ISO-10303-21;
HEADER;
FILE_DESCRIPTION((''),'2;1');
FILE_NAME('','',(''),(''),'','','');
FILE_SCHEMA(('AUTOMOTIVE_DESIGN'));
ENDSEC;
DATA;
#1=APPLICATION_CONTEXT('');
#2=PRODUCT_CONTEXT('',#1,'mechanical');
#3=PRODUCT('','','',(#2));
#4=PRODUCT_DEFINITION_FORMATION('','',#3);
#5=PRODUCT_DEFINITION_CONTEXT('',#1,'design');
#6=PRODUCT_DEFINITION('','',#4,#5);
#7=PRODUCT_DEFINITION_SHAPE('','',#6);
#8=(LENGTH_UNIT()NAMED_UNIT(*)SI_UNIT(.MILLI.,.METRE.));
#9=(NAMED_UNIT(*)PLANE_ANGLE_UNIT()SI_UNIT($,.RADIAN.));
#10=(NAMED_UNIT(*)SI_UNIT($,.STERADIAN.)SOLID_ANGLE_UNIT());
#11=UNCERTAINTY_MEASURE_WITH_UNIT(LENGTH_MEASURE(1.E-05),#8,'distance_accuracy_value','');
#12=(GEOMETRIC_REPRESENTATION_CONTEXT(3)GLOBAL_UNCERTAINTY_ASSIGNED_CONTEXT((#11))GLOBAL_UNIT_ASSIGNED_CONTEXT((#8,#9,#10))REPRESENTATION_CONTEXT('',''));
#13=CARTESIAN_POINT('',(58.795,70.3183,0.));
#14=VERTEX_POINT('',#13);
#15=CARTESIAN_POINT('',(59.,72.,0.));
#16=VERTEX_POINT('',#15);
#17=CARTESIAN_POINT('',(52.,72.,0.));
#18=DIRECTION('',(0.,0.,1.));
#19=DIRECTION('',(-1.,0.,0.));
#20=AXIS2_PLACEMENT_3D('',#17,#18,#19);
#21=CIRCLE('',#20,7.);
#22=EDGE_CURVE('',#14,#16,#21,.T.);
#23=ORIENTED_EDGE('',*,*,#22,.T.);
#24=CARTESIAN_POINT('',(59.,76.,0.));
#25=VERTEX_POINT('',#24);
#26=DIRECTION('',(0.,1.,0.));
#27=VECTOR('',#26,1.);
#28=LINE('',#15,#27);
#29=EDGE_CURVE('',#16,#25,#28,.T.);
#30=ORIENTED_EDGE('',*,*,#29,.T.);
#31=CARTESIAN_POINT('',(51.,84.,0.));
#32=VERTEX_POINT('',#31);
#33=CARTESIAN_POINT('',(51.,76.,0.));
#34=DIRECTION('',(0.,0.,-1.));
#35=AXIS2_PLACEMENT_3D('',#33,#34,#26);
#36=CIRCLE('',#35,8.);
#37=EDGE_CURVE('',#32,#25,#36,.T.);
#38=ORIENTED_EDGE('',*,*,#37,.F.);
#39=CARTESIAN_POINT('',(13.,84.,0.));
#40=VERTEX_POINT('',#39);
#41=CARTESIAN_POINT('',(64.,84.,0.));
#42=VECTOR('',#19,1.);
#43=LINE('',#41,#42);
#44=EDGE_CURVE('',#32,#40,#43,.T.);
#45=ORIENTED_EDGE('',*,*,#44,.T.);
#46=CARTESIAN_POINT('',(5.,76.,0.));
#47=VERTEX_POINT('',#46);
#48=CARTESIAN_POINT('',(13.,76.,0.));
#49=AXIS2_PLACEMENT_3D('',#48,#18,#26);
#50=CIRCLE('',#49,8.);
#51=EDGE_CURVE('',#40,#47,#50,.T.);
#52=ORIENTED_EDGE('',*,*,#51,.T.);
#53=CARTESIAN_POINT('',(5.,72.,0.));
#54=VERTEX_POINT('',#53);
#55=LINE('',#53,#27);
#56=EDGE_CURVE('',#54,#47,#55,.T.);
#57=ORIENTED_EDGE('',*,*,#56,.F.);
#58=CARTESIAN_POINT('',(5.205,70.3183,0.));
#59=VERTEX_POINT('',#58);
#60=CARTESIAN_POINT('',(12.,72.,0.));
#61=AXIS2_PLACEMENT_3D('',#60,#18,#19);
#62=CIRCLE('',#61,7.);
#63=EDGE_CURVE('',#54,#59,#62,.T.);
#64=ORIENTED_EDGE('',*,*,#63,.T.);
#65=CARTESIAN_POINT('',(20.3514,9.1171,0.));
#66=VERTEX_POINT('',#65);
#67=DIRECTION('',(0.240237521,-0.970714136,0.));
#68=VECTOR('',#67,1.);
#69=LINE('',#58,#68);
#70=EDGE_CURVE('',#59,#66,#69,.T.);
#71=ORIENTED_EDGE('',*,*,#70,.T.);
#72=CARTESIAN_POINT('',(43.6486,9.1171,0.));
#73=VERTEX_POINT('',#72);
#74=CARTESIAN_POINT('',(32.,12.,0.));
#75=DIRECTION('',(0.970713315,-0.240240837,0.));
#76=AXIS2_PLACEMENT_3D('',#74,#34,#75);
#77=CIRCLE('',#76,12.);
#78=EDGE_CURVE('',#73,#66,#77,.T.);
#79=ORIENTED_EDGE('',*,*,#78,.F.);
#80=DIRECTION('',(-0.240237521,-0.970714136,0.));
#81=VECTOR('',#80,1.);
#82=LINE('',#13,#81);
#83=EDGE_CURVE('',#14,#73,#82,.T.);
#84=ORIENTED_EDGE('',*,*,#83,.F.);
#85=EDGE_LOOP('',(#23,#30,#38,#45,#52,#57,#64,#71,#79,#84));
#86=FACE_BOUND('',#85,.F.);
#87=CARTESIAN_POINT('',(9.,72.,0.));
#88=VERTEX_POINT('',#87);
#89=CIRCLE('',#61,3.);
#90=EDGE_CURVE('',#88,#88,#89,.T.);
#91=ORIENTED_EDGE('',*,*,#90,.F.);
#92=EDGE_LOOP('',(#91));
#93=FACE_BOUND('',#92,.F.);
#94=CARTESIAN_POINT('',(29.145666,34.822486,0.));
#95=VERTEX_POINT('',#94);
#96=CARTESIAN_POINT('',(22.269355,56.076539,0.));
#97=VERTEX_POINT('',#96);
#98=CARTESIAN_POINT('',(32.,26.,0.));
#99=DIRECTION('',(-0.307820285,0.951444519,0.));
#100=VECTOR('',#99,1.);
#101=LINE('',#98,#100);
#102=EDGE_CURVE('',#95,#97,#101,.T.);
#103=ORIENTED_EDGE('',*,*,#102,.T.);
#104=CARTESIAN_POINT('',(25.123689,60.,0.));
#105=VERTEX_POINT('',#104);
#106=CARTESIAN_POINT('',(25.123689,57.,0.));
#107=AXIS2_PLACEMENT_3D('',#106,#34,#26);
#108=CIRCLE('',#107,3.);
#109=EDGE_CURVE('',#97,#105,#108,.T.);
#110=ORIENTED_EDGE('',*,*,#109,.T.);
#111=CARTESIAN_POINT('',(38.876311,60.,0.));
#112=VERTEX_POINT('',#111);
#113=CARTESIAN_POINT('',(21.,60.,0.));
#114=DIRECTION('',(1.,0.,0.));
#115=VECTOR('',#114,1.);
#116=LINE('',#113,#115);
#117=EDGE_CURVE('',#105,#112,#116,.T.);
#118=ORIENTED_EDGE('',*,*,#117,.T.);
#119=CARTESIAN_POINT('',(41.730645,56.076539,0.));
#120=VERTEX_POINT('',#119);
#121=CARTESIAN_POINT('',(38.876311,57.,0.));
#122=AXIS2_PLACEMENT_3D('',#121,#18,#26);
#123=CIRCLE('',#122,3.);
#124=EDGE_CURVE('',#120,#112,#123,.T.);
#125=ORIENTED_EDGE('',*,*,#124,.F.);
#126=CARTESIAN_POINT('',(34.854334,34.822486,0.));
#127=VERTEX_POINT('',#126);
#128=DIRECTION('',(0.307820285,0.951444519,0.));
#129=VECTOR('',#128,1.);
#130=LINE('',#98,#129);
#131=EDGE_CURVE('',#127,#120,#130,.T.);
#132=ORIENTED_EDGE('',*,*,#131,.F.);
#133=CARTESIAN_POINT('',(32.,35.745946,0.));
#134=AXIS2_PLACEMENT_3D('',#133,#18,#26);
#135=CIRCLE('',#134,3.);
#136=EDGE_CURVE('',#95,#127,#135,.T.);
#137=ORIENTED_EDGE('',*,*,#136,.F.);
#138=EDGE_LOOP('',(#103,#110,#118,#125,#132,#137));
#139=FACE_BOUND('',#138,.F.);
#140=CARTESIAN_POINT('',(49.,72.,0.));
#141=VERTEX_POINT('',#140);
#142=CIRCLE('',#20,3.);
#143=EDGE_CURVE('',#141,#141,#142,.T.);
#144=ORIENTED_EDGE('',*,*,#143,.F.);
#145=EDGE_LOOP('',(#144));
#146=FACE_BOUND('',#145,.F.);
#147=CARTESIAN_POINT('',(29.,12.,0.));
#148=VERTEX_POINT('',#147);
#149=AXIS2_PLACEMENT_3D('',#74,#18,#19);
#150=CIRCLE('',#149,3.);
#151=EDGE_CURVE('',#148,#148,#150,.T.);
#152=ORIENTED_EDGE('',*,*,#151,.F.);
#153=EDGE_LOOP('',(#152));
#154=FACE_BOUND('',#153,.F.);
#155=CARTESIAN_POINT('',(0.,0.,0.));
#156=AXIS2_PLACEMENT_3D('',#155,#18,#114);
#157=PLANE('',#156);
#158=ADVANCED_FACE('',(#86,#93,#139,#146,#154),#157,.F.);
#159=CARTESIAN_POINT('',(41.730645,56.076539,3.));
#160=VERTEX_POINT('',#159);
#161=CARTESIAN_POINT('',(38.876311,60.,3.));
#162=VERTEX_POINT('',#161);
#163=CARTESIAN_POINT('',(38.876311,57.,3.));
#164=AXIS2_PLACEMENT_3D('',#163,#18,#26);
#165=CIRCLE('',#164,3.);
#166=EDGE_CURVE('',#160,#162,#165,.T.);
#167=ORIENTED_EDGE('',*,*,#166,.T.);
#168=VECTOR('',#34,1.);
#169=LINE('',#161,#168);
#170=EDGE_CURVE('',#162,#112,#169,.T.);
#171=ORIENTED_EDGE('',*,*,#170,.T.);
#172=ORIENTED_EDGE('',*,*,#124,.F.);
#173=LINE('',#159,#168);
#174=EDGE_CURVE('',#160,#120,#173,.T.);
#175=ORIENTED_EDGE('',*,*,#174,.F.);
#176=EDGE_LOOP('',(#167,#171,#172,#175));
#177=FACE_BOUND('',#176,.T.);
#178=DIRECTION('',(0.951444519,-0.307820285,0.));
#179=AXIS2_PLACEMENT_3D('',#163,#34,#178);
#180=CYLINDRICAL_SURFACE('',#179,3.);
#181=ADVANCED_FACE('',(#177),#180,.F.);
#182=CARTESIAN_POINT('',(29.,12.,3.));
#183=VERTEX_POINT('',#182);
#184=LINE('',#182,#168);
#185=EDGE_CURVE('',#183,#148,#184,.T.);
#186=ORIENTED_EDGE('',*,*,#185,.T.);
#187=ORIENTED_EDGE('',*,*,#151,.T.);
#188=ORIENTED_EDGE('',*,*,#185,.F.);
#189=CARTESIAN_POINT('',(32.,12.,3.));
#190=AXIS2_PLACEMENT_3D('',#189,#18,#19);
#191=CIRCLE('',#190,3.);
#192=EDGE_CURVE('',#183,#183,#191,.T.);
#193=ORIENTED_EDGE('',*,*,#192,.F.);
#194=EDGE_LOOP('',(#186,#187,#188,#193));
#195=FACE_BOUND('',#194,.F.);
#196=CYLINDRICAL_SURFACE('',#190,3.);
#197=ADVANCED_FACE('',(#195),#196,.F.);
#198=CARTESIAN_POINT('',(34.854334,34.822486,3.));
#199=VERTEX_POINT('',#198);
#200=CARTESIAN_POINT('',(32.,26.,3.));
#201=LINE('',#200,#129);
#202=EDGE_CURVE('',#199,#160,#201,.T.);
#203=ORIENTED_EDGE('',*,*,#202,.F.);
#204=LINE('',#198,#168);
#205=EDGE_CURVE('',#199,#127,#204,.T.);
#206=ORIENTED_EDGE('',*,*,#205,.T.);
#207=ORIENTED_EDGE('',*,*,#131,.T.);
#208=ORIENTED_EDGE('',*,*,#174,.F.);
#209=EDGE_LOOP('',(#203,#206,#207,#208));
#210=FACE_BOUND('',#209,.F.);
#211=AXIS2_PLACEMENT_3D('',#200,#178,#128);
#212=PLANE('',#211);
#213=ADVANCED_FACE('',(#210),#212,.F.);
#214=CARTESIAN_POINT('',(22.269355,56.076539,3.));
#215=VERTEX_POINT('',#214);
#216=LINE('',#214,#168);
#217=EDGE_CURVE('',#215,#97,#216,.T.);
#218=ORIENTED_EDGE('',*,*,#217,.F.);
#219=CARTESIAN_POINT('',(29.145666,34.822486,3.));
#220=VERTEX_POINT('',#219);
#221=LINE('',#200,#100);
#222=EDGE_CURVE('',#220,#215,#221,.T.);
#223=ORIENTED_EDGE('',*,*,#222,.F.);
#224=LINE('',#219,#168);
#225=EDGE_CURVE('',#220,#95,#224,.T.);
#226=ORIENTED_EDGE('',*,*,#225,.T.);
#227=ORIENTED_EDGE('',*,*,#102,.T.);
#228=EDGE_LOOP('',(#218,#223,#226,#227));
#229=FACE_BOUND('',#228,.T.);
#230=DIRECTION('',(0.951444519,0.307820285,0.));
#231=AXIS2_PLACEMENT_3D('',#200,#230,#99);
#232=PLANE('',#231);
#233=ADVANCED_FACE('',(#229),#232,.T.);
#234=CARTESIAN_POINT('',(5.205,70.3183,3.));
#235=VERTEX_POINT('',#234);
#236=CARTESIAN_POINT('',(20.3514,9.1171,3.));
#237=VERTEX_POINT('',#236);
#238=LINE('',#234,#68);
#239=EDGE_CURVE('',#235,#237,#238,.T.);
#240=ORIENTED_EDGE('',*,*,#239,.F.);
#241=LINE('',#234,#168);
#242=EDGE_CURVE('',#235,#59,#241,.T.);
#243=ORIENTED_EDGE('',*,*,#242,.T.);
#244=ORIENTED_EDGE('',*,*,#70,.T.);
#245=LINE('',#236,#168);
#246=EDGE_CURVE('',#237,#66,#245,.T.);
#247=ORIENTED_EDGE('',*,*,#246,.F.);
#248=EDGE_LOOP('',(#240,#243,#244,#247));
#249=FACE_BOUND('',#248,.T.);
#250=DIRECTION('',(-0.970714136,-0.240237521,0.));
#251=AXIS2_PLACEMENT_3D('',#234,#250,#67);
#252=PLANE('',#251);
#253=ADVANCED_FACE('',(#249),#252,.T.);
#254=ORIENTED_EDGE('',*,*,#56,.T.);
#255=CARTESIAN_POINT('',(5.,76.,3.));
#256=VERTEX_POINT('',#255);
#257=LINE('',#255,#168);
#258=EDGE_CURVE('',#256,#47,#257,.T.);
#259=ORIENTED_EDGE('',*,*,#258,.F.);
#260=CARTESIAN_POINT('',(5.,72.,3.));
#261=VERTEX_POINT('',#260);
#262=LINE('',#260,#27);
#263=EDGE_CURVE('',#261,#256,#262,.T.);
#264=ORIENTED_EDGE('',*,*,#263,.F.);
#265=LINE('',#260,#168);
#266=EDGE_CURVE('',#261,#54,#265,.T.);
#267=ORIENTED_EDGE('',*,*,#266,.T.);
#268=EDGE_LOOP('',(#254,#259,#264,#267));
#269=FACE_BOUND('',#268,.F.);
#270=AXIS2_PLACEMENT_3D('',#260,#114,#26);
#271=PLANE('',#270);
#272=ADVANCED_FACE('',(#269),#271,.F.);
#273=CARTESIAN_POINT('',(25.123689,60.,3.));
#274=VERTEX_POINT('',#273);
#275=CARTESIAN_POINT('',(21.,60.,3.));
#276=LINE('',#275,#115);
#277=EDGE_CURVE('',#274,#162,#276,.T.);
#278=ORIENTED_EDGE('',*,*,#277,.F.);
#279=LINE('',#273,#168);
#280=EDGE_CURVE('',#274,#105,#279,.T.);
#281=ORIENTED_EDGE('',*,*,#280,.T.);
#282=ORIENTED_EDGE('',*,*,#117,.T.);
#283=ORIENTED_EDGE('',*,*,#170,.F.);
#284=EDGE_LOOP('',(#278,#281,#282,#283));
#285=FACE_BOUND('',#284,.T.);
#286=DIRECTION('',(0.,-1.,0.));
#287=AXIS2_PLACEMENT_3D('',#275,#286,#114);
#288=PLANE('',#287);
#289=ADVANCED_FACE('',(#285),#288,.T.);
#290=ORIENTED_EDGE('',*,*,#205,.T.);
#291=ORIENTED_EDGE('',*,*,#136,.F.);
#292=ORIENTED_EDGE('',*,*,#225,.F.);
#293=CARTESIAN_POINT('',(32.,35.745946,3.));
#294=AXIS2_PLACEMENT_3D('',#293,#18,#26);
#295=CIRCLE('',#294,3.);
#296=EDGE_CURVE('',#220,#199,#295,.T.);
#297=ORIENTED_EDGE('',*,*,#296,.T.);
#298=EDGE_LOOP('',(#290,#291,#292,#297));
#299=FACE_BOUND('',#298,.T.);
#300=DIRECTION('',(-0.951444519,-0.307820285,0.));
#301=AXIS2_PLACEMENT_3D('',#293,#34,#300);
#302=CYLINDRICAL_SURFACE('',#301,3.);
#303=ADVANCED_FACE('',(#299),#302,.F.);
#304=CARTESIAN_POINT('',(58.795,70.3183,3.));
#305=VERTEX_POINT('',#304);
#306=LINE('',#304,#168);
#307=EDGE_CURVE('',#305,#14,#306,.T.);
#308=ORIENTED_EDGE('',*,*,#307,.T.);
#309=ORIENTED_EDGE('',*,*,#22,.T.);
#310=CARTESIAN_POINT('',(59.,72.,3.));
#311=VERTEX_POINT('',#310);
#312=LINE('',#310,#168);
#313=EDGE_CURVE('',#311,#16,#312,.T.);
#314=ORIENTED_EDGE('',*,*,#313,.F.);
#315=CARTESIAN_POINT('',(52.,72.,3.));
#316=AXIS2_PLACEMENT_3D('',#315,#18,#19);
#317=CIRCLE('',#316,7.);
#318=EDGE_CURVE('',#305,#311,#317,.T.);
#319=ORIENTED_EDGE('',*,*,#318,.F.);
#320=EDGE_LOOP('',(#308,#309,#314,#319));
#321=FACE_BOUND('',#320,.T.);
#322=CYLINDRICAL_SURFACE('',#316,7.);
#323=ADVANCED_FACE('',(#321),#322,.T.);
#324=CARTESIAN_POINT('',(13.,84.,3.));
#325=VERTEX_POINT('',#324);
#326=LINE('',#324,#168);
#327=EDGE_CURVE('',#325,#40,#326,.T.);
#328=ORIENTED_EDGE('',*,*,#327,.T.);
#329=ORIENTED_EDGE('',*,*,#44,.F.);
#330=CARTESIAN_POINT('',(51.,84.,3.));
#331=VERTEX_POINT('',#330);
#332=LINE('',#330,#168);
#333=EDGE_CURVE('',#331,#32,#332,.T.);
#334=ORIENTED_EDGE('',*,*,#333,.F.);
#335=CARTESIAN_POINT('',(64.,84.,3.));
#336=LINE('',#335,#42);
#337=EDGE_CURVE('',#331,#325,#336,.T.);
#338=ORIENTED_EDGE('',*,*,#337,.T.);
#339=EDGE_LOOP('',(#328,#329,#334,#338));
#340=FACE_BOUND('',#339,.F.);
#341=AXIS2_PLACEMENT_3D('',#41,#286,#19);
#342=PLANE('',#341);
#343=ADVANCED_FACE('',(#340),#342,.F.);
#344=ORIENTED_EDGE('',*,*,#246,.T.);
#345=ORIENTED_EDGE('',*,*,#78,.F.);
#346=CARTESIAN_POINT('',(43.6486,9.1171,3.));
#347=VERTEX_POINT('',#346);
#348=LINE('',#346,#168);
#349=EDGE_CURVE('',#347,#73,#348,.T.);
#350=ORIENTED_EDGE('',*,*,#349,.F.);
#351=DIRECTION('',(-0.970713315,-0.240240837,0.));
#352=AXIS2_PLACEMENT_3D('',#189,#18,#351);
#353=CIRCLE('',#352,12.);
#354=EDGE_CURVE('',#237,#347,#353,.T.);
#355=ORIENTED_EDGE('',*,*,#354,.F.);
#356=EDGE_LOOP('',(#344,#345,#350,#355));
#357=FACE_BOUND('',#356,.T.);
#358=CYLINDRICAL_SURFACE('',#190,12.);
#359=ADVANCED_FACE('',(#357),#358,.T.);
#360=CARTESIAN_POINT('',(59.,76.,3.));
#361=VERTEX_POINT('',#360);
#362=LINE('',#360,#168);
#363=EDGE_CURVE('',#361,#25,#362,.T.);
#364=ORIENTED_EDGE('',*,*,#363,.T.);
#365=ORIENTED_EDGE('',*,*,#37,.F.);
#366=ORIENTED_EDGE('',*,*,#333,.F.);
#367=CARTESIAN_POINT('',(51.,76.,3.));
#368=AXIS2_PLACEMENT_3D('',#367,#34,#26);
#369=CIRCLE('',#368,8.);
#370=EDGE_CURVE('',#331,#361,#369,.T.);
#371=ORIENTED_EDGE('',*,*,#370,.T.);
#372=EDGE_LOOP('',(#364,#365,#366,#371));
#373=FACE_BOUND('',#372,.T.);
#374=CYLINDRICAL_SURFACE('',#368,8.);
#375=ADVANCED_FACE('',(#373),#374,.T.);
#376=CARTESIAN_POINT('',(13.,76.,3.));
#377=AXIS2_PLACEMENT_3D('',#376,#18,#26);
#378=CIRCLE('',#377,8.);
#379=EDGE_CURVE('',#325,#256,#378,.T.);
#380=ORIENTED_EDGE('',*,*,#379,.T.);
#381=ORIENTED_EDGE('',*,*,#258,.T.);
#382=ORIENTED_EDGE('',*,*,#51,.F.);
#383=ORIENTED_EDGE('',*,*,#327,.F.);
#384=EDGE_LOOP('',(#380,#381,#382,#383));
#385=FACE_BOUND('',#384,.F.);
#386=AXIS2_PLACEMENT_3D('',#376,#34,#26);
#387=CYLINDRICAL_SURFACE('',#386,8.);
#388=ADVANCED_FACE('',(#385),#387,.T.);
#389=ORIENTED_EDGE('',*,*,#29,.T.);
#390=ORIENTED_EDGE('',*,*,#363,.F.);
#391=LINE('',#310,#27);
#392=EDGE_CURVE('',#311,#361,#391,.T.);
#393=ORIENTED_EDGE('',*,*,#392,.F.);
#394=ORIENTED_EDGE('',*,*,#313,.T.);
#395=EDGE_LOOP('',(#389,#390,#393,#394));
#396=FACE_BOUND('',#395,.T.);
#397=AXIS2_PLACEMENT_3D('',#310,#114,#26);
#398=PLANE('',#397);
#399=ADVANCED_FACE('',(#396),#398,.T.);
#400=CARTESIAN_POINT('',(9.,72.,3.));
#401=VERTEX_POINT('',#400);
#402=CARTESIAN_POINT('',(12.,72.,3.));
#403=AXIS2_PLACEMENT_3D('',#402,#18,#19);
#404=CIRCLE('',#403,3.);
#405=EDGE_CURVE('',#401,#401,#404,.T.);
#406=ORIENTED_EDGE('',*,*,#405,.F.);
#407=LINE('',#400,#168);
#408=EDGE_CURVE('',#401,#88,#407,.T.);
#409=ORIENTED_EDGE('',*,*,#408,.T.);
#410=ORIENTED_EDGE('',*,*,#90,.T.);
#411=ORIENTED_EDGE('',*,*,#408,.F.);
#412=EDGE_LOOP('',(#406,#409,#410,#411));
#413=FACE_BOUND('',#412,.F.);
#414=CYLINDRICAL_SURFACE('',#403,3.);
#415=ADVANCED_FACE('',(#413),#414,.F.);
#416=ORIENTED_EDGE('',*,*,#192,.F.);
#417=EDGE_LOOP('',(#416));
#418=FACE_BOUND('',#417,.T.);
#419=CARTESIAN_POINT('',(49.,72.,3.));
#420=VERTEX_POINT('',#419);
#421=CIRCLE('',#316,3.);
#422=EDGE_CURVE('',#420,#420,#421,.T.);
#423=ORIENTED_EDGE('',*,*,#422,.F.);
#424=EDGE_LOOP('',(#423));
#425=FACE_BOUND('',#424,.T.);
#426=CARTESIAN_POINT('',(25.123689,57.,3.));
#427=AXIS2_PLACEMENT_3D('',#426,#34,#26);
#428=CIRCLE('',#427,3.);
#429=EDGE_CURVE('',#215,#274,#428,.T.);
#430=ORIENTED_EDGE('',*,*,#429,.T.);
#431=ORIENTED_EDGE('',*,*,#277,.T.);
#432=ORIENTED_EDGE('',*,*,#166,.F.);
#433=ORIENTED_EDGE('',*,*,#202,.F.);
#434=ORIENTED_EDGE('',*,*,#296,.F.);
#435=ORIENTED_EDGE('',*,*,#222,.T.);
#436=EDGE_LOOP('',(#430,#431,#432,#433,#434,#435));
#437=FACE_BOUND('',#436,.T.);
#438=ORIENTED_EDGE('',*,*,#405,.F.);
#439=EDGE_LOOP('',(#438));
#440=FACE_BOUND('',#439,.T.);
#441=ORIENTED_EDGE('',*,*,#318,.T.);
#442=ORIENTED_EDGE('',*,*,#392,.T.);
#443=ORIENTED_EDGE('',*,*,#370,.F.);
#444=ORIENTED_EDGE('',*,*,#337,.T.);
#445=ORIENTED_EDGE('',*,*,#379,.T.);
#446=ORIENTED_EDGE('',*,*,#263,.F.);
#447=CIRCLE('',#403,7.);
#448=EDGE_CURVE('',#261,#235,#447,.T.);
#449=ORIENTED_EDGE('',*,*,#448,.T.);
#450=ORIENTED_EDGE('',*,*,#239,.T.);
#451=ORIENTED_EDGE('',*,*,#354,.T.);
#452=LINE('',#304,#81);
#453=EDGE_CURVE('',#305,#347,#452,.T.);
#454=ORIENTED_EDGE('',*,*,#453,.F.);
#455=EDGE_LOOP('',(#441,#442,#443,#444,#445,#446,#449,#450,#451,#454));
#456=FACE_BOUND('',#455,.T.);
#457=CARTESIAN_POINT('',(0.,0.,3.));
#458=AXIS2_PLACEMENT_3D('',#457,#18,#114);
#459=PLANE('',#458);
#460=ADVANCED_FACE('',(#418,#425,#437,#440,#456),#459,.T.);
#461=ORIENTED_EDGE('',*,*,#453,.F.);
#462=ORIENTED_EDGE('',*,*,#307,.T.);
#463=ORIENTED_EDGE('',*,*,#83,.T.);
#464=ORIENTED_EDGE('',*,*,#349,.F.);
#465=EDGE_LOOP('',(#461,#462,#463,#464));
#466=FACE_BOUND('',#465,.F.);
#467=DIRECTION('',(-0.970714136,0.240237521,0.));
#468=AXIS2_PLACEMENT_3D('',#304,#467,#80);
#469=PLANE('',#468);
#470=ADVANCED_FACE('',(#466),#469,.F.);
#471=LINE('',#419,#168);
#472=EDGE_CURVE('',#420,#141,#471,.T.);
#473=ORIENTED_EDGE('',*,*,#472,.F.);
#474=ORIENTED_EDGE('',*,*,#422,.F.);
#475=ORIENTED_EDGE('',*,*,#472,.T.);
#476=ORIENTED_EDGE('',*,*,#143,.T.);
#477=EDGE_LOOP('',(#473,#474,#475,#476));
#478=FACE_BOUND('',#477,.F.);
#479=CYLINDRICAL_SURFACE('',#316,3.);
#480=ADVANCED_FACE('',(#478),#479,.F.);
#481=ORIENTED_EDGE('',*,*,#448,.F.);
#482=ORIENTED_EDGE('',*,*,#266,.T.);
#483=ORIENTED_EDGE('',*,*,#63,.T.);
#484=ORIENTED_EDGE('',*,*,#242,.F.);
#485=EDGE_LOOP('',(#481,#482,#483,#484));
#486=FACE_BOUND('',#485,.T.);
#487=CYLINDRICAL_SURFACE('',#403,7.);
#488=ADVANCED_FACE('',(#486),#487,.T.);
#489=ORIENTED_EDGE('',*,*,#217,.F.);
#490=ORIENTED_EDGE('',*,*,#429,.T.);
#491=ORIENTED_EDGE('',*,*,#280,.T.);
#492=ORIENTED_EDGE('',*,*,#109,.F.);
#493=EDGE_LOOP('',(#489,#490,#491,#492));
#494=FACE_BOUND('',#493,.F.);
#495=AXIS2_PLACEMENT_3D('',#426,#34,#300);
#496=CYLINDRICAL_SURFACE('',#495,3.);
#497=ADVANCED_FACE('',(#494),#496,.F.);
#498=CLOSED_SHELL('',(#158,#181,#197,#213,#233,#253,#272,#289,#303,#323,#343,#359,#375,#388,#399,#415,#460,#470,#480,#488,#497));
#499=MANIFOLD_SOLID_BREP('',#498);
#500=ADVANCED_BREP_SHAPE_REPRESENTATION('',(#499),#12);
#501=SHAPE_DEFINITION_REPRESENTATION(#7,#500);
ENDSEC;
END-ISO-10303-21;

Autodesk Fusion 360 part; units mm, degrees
sketch "Sketch1" plane through (0, 0, 0) normal (0, 0, 1) x (1, 0, 0) in component "X Axis Support - Inside Support V2"
  line L0 (0, 0) -> (64, 0)
  line L1 (64, 0) -> (64, 84)
  line L2 (64, 84) -> (0, 84)
  line L3 (0, 84) -> (0, 0)
  dimension "d1" = 64
  dimension "d2" = 84
extrude "Extrude1" add sketch "Sketch1" along normal blind 3 in component "X Axis Support - Inside Support V2"
sketch "Sketch2" plane through (0, 0, 3) normal (0, 0, 1) x (-1, 0, 0) in component "X Axis Support - Inside Support V2"
  line L0 (0, -84) -> (0, 0)
  line L1 (0, 0) -> (-64, 0)
  line L2 (-64, 0) -> (-64, -84)
  line L3 (-64, -84) -> (0, -84)
  line L4 (-12, -84) -> (-12, 0) construction
  line L5 (-52, -84) -> (-52, 0) construction
  line L6 (0, -12) -> (-64, -12) construction
  line L7 (0, -72) -> (-64, -72) construction
  circle A0 centre (-12, -72) radius 12 construction
  circle A1 centre (-52, -72) radius 12 construction
  circle A2 centre (-12, -72) radius 3
  circle A3 centre (-52, -72) radius 3
  line L8 (0, -72) -> (0, 0)
  line L9 (0, 0) -> (-32, 0)
  line L10 (-32, 0) -> (-64, 0)
  line L11 (-64, 0) -> (-64, -72)
  circle A4 centre (-32, -12) radius 12
  circle A5 centre (-32, -12) radius 3
  line L12 (0, -26) -> (-64, -26) construction
  line L13 (-12, 0) -> (0, -26)
  line L14 (-52, 0) -> (-64, -26)
  line L15 (0, -85) -> (-64, -85) construction
  line L16 (-32, -85) -> (-32, 0) construction
  line L17 (-5.205, -70.3183) -> (-20.3514, -9.1171)
  line L18 (0, -60) -> (-64, -60) construction
  line L19 (0, -26) -> (-64, -26) construction
  line L20 (-21, -60) -> (-21, -26) construction
  line L21 (-43, -60) -> (-43, -26) construction
  line L22 (-21, -60) -> (-43, -60)
  line L23 (-32, -26) -> (-43, -60)
  line L24 (-32, -26) -> (-21, -60)
  circle A6 centre (-12, -72) radius 5 construction
  circle A7 centre (-52, -72) radius 5 construction
  circle A8 centre (-12, -72) radius 7
  circle A9 centre (-52, -72) radius 7
  line L25 (-58.795, -70.3183) -> (-43.6486, -9.1171)
  line L26 (-5, -72) -> (-5, -84)
  line L27 (-59, -72) -> (-59, -84)
  dimension "d8" = 12
  dimension "d13" = 24
  dimension "d14" = 24
  dimension "d16" = 6
  dimension "d17" = 6
  dimension "d40" = 60
  dimension "d53" = 24
  dimension "d55" = 6
  dimension "d57" = 26
  dimension "d234" = 13
  dimension "d238" = 20
  dimension "d241" = 20
  dimension "d242" = 60
  dimension "d243" = 14
  dimension "d244" = 11
  dimension "d245" = 11
  dimension "d248" = 10
  dimension "d249" = 10
  dimension "d250" = 14
  dimension "d251" = 14
extrude "Extrude2" cut sketch "Sketch2" against normal up to surface (3 mm away) contours L0 L1 L3 L8 L9 A4 L13 L17 A8 L26 | L0 L1 L8 L9 L13 | L1 L2 L3 L10 L11 A4 L14 A9 L25 L27 | L1 L2 L10 L11 L14 | A2 | A3 | A5 | L22 L23 L24 in component "X Axis Support - Inside Support V2"
fillet "Fillet11" radius 3 3 edges at (21, 60, 1.5) (43, 60, 1.5) (32, 26, 1.5) in component "X Axis Support - Inside Support V2"
fillet "Fillet11" radius 8 2 edges at (59, 84, 1.5) (5, 84, 1.5) in component "X Axis Support - Inside Support V2"
component "X Axis Support - Inside Support V2" placed x (1, 0, 0) y (0, 1, 0) z (0, 0, 1) at (0, 0, 0)
